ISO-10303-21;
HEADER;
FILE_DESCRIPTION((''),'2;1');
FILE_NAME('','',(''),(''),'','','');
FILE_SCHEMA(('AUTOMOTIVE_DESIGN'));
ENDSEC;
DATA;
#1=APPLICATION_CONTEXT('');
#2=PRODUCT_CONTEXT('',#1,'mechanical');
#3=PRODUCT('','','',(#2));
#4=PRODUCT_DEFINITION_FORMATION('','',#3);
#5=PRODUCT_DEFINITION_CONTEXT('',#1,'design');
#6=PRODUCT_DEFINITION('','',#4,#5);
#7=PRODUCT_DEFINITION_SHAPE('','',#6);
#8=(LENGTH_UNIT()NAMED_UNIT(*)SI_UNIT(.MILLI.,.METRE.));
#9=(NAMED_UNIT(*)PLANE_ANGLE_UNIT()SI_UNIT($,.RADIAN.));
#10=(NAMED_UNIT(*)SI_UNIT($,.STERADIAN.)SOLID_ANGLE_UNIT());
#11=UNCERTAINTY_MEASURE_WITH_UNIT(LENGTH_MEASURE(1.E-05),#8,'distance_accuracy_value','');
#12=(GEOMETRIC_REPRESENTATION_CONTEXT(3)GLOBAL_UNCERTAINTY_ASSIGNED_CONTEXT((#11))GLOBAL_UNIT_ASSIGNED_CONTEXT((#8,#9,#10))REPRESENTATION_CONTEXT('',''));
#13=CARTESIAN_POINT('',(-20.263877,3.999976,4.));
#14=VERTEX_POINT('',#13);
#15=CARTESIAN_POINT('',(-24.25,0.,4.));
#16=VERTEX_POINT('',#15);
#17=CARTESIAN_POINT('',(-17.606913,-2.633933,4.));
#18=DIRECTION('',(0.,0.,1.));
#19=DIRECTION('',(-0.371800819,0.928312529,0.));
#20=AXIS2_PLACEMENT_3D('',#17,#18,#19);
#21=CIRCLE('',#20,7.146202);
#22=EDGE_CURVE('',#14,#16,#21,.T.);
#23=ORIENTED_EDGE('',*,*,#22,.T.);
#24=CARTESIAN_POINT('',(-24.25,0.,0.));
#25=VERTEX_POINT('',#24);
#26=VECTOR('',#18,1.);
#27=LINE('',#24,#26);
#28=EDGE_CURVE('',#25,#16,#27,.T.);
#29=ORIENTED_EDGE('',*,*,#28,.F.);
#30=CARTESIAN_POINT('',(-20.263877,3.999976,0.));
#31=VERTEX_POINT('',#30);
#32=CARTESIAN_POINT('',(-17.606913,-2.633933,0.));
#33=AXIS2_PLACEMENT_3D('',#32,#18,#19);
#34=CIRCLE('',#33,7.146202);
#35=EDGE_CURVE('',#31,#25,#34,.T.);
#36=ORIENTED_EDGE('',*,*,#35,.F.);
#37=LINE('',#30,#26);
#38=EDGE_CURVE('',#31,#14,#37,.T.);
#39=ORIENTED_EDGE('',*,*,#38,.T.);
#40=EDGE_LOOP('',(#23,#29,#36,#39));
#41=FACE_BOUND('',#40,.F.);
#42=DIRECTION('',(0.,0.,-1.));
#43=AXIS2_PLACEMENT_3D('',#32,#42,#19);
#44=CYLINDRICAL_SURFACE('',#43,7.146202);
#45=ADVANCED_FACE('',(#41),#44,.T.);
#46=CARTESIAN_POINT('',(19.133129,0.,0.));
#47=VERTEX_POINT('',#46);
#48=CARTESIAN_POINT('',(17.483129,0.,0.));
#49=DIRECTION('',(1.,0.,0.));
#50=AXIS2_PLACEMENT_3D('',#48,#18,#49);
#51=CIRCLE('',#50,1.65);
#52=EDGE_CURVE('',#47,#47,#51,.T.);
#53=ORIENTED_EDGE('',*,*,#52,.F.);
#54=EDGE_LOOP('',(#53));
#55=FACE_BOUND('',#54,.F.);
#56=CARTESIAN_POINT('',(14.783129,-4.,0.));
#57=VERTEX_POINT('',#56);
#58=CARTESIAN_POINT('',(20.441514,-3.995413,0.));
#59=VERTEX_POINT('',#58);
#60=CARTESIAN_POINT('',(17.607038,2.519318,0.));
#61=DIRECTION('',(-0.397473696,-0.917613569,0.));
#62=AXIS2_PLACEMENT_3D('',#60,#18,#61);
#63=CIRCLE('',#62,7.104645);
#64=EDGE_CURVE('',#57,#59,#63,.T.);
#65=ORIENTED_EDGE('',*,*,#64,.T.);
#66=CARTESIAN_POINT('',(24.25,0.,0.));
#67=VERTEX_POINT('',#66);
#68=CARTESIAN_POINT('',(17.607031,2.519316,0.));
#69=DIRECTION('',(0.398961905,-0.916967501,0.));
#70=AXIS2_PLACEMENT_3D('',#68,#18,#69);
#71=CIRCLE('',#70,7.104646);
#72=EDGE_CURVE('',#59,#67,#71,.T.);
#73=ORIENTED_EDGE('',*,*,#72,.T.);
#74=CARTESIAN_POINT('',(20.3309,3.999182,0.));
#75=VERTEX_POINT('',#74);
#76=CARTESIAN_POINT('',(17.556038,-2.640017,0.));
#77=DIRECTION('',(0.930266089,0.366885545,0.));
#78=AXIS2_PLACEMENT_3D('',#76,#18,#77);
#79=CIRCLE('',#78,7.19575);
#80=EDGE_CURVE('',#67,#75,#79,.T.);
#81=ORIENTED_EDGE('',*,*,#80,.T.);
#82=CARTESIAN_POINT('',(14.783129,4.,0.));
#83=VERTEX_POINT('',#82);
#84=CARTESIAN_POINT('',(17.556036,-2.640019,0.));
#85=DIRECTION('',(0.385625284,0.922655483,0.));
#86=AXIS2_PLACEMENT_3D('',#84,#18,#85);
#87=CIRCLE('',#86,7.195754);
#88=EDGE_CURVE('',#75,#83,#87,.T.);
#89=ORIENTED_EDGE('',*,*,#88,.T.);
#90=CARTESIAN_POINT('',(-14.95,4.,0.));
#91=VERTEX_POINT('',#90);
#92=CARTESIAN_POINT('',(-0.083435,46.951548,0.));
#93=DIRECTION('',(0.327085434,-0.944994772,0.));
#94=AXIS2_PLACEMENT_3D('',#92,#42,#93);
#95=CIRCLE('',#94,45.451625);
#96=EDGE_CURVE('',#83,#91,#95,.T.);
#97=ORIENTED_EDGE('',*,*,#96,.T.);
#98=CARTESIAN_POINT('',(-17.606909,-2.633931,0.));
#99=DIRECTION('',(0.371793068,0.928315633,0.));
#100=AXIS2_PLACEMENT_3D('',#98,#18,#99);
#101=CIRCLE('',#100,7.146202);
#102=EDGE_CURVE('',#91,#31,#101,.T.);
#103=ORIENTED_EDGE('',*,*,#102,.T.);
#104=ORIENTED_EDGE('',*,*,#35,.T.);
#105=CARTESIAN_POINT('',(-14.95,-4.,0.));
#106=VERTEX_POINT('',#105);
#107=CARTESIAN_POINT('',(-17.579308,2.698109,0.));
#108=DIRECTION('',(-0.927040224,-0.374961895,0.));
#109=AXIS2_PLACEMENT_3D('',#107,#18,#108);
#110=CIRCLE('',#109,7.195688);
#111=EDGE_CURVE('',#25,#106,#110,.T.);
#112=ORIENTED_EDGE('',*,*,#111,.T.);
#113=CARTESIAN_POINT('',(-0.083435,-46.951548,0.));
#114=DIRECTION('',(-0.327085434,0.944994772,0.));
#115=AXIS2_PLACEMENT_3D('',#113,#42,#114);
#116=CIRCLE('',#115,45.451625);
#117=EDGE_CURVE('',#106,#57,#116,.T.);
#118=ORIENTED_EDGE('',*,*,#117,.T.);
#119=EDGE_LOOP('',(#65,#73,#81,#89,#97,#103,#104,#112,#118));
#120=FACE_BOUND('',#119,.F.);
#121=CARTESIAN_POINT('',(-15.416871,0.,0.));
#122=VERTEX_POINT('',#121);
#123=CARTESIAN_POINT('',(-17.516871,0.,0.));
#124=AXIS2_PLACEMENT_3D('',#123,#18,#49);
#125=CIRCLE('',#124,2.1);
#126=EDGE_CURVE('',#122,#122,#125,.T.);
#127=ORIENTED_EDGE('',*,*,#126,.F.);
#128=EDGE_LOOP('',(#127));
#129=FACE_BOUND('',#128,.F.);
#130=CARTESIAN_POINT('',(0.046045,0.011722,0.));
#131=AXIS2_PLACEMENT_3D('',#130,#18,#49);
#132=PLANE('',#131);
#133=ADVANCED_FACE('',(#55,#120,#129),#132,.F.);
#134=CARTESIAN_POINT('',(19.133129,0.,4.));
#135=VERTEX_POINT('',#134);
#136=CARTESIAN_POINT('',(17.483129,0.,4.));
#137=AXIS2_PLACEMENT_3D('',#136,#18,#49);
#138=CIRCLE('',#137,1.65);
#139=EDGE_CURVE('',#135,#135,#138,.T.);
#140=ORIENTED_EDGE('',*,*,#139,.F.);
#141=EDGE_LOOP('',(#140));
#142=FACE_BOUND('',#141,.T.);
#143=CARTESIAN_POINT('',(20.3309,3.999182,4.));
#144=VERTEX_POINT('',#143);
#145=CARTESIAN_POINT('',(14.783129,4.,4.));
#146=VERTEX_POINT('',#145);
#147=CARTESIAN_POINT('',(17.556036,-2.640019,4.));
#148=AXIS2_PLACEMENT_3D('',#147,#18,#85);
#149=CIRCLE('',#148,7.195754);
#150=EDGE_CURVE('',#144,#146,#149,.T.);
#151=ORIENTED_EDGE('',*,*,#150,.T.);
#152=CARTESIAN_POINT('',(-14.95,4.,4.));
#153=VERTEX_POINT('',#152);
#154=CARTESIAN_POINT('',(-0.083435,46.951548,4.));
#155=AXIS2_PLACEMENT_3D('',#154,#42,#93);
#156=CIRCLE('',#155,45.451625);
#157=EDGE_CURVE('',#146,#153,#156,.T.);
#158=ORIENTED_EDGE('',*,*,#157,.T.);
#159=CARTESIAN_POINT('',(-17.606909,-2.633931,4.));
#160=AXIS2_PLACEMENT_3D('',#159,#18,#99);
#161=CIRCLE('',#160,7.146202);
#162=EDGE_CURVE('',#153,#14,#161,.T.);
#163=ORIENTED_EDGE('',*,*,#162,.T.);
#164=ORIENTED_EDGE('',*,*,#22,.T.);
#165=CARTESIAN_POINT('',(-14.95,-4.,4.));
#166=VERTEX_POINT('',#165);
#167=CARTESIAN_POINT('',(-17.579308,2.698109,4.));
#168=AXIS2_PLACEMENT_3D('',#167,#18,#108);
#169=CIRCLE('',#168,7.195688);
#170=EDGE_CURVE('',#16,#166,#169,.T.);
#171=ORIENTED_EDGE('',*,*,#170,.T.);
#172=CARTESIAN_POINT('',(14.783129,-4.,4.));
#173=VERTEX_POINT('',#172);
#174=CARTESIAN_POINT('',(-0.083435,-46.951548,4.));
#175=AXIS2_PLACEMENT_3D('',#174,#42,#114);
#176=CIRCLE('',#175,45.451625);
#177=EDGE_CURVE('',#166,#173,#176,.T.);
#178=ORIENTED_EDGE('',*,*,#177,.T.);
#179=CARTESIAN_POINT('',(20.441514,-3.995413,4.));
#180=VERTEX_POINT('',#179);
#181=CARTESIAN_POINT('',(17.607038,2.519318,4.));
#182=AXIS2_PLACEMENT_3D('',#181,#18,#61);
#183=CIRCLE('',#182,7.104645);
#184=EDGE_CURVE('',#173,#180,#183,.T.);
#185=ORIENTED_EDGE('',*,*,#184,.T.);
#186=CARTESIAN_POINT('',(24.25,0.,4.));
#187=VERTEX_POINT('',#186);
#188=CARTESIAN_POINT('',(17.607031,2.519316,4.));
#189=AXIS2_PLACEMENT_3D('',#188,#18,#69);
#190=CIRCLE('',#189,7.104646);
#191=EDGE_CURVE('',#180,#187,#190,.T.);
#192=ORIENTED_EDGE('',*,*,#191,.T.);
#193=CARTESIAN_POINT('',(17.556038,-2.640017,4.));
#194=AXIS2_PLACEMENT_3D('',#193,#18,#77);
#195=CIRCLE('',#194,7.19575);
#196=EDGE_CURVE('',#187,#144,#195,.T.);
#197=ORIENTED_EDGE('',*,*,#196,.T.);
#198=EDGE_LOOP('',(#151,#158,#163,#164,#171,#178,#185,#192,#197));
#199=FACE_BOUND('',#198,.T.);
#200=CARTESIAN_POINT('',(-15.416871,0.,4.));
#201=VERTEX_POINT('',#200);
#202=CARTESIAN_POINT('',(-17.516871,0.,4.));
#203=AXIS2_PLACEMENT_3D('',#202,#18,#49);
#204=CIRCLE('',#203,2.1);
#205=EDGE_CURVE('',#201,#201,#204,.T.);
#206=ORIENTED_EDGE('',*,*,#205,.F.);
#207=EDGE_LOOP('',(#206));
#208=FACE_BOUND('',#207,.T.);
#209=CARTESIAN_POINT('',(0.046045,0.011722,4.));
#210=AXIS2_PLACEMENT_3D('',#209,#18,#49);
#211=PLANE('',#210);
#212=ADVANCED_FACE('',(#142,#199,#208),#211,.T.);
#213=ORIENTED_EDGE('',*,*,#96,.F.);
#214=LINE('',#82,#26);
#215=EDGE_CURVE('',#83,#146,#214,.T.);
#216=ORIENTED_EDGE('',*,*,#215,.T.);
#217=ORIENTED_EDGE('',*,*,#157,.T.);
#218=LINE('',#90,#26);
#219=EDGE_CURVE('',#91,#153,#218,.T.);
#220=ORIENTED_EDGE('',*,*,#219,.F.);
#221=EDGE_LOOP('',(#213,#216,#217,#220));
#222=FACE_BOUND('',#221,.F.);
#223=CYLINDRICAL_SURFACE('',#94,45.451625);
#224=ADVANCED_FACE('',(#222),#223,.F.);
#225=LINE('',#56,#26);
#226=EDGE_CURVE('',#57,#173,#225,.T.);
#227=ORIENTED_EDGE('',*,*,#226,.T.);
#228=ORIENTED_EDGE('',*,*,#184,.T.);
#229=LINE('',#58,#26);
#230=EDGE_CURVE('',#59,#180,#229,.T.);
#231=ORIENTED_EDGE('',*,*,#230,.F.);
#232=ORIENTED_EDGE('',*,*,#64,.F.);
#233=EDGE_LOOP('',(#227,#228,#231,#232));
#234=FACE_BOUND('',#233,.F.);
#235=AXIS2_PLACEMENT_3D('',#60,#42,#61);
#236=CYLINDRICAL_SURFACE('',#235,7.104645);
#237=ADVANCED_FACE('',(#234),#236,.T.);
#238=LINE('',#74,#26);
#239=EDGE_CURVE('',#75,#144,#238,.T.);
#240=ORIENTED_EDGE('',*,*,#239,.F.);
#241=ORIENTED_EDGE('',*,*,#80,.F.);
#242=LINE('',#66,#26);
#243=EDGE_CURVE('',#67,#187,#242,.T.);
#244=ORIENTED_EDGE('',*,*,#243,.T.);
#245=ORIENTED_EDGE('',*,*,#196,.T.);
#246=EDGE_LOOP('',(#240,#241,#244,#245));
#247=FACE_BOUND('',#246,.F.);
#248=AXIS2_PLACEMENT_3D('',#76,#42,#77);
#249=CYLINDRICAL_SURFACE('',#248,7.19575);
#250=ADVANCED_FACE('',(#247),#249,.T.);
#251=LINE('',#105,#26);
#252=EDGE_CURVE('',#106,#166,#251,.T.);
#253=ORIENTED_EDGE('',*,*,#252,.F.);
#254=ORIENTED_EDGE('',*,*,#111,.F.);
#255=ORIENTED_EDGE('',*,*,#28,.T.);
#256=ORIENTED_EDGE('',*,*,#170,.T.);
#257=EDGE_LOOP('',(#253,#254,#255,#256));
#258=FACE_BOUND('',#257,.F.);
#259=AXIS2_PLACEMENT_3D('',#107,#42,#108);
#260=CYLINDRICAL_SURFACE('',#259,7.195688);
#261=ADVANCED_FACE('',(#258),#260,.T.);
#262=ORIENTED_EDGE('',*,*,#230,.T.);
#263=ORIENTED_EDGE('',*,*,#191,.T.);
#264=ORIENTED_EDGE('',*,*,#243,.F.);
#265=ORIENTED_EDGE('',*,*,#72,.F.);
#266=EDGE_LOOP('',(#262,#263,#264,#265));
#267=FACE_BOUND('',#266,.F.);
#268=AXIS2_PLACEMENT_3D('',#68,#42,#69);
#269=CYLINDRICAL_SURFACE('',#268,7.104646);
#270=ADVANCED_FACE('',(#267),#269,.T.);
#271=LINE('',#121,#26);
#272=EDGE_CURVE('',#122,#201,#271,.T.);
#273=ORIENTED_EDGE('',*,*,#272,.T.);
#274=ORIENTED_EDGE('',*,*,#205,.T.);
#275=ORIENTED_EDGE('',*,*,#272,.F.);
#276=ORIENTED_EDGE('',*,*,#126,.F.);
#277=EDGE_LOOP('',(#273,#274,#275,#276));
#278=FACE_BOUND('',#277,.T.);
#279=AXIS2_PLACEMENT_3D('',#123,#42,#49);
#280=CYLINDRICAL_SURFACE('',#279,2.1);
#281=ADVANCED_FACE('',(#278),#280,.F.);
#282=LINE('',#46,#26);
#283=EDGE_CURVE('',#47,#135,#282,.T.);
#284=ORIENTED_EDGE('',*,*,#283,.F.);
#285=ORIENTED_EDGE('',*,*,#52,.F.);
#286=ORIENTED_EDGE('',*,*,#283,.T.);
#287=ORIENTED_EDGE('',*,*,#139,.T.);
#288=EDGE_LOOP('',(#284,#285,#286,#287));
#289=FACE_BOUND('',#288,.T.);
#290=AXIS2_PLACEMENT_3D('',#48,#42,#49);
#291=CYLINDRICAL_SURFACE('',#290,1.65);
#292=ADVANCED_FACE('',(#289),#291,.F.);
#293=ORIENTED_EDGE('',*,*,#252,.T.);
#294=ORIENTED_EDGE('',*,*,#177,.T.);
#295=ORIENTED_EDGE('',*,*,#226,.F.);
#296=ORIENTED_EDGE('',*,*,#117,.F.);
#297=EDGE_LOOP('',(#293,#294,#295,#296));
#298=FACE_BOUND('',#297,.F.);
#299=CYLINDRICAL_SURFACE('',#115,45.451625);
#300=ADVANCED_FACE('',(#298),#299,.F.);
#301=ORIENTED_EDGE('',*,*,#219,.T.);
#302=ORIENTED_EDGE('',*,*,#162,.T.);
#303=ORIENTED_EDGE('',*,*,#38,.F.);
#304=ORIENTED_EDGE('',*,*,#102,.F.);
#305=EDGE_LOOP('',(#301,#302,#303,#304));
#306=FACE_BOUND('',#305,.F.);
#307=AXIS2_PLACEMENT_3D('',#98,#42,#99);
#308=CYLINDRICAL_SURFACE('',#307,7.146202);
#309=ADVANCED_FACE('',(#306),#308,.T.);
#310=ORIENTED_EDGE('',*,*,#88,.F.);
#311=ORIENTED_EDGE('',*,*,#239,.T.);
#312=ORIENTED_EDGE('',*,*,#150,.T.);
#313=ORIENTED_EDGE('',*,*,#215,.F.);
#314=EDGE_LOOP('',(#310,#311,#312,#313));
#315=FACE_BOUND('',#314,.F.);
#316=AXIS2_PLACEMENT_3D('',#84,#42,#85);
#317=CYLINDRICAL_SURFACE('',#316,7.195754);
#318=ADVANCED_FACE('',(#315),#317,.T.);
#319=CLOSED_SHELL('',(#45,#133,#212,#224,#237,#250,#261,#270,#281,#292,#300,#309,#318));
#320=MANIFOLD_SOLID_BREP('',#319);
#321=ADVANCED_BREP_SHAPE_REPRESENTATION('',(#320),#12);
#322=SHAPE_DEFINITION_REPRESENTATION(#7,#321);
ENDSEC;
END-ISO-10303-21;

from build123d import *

# Parameters (mm, degrees)
F0_R     = 2.1
F0_R_2   = 1.65
F1_DEPTH = 4


with BuildPart() as f1:
    # F0 (on Top) → F1 (new body)
    with BuildSketch(Plane.XY):
        with BuildLine():
            ThreePointArc((-14.95, -4), (-0.083435, -1.499923), (14.783129, -4))
            ThreePointArc((14.783129, -4), (17.612798, -4.585324), (20.441514, -3.995413))
            ThreePointArc((20.441514, -3.995413), (22.749633, -2.382687), (24.25, 0))
            ThreePointArc((24.25, 0), (22.695398, 2.39643), (20.3309, 3.999182))
            ThreePointArc((20.3309, 3.999182), (17.557097, 4.555734), (14.783129, 4))
            ThreePointArc((14.783129, 4), (-0.083435, 1.499923), (-14.95, 4))
            ThreePointArc((-14.95, 4), (-17.606941, 4.512271), (-20.263877, 3.999976))
            ThreePointArc((-20.263877, 3.999976), (-22.668799, 2.410422), (-24.25, 0))
            ThreePointArc((-24.25, 0), (-20.422404, -3.91209), (-14.95, -4))
        make_face()
        with Locations((-17.516871, 0)):
            Circle(F0_R, mode=Mode.SUBTRACT)
        with Locations((17.483129, 0)):
            Circle(F0_R_2, mode=Mode.SUBTRACT)
    extrude(amount=F1_DEPTH)


solid = f1.part
